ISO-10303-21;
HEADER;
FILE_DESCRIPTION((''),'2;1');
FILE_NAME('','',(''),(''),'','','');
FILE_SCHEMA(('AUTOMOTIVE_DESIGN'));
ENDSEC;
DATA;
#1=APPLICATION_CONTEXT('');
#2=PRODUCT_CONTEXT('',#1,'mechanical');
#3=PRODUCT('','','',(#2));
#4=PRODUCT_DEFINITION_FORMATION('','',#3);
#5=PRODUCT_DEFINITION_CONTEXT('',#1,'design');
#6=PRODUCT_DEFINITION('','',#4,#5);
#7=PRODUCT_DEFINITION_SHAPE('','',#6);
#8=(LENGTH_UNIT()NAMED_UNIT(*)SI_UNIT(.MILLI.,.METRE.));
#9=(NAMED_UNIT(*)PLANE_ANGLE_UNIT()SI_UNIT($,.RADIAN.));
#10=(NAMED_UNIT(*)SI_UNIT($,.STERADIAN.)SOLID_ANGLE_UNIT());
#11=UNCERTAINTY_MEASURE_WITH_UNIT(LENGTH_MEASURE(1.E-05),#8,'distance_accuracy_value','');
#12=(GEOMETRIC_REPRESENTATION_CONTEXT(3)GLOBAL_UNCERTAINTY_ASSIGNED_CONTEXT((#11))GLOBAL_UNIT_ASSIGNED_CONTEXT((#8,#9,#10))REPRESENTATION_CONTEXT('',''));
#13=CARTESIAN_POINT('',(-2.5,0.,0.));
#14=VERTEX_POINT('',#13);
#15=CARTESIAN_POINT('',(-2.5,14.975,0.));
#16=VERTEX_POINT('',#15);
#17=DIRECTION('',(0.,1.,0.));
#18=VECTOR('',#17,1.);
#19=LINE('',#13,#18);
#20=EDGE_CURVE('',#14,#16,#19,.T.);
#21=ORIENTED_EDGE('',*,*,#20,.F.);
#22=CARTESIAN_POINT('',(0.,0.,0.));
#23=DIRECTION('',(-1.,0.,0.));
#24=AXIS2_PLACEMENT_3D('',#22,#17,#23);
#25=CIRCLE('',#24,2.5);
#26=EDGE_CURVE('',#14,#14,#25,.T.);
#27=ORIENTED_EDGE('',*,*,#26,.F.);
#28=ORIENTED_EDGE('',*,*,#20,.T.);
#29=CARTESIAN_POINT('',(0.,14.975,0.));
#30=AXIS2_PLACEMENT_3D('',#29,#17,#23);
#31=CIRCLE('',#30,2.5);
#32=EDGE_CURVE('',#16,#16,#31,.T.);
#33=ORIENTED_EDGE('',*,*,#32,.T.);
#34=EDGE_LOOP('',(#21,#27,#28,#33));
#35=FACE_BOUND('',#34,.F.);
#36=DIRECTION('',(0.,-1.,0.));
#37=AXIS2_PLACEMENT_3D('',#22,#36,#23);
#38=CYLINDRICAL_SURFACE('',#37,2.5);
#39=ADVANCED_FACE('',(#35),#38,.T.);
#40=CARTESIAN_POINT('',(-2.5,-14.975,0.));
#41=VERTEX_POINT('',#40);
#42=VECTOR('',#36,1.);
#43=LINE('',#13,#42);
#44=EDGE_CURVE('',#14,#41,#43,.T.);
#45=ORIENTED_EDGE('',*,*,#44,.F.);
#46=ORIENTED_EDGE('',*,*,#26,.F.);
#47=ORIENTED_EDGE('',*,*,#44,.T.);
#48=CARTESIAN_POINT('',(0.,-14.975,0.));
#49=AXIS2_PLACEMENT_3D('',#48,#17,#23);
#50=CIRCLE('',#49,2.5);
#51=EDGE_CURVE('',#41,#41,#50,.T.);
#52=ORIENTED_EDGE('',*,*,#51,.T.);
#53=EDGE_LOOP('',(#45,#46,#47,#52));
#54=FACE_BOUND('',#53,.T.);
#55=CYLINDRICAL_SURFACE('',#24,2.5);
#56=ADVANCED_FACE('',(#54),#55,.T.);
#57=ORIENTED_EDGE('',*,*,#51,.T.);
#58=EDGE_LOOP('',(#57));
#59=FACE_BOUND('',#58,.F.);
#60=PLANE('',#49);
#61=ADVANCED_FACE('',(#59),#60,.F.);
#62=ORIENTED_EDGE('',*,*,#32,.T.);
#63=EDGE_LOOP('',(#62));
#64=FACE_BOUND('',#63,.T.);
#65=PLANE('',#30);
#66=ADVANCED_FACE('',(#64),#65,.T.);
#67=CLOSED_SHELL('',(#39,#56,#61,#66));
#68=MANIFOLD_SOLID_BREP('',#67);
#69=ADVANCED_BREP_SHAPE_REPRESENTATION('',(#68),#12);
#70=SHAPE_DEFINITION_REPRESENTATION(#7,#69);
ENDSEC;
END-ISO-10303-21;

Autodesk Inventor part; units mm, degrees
ref_plane "YZ Plane" through (0, 0, 0) normal (1, 0, 0) x (0, 1, 0)
ref_plane "XZ Plane" through (0, 0, 0) normal (0, 1, 0) x (-1, 0, 0)
ref_plane "XY Plane" through (0, 0, 0) normal (0, 0, 1) x (1, 0, 0)
sketch "Эскиз1" plane through (0, 0, 0) normal (0, 1, 0) x (-1, 0, 0)
  circle A0 centre (0, 0) radius 2.5
  dimension "d0" = 5
extrude "Выдавливание1" add sketch "Эскиз1" along normal mid plane 29.95
properties part number "Ось сателлитов"
